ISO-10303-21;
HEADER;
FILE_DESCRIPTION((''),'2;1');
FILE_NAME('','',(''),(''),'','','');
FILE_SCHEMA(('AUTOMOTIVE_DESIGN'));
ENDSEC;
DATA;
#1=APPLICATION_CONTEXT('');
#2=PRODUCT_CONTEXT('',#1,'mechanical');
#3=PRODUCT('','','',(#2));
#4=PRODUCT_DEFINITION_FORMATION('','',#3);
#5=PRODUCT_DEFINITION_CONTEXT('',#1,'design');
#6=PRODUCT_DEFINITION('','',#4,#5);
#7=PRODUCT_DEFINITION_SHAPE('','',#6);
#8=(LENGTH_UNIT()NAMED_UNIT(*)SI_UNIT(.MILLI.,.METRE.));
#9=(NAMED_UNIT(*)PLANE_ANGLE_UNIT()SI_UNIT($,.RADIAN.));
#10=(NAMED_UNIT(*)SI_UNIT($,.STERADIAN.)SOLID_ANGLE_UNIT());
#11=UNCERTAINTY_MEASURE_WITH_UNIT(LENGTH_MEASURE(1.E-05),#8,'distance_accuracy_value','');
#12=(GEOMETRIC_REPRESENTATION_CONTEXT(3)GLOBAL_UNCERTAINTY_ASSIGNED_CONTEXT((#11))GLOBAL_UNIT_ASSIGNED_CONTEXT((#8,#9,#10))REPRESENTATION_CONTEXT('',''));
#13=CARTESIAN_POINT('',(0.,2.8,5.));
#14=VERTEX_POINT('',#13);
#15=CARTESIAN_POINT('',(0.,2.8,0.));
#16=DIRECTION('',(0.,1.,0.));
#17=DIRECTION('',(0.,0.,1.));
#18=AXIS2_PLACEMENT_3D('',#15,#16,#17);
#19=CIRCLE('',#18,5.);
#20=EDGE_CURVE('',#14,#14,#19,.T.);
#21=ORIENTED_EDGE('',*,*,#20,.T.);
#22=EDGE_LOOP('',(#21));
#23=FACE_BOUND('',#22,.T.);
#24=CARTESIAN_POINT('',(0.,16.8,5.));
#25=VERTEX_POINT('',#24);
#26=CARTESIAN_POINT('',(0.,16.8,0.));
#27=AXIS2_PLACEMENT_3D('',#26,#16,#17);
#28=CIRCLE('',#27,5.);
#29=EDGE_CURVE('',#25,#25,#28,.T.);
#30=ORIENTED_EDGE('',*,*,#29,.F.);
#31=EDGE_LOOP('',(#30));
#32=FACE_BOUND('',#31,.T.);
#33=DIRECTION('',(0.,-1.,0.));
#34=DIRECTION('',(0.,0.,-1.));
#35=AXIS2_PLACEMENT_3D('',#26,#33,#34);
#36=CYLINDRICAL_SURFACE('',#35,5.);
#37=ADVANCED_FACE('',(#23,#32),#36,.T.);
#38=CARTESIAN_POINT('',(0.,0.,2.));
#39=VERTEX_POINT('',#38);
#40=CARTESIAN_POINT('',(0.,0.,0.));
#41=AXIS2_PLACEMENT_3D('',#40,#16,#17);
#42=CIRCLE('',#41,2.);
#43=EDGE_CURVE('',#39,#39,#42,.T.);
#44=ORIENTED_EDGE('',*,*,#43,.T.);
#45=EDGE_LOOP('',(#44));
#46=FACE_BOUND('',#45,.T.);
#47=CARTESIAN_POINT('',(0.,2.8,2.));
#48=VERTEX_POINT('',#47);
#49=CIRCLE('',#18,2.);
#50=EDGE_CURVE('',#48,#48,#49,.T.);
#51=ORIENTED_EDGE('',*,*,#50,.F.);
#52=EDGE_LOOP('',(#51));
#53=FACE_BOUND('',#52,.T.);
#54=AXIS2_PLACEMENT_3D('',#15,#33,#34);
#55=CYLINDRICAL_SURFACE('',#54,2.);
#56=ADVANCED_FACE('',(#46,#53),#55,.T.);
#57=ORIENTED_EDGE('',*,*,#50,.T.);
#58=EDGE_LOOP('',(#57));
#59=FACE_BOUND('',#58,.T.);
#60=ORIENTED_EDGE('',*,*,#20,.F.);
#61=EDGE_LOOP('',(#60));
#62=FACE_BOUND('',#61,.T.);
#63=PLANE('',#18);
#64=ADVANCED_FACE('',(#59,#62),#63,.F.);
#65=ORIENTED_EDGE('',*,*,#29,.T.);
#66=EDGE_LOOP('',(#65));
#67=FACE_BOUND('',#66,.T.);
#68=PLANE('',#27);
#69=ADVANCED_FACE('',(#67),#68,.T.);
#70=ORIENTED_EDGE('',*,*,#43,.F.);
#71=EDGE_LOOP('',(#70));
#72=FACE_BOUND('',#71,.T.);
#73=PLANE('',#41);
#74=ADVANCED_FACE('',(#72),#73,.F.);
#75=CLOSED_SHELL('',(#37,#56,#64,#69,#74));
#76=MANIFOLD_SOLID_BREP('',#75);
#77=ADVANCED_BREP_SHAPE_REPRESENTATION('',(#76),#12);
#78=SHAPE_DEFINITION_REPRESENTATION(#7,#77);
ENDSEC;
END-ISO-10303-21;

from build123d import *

# Parameters (mm, degrees)
SKETCH1_R           = 2
BOSS_EXTRUDE1_DEPTH = 2.8
SKETCH2_R           = 5
BOSS_EXTRUDE2_DEPTH = 14


with BuildPart() as part:
    # Sketch1 → Boss-Extrude1 (new body)
    with BuildSketch(Plane(origin=(0, 0, 0), x_dir=(1, 0, 0), z_dir=(0, 1, 0))):
        Circle(SKETCH1_R)
    extrude(amount=BOSS_EXTRUDE1_DEPTH)

    # Sketch2 → Boss-Extrude2 (add)
    with BuildSketch(Plane(origin=(0, 2.8, 0), x_dir=(-1, 0, 0), z_dir=(0, 1, 0))):
        Circle(SKETCH2_R)
    extrude(amount=BOSS_EXTRUDE2_DEPTH)


solid = part.part
